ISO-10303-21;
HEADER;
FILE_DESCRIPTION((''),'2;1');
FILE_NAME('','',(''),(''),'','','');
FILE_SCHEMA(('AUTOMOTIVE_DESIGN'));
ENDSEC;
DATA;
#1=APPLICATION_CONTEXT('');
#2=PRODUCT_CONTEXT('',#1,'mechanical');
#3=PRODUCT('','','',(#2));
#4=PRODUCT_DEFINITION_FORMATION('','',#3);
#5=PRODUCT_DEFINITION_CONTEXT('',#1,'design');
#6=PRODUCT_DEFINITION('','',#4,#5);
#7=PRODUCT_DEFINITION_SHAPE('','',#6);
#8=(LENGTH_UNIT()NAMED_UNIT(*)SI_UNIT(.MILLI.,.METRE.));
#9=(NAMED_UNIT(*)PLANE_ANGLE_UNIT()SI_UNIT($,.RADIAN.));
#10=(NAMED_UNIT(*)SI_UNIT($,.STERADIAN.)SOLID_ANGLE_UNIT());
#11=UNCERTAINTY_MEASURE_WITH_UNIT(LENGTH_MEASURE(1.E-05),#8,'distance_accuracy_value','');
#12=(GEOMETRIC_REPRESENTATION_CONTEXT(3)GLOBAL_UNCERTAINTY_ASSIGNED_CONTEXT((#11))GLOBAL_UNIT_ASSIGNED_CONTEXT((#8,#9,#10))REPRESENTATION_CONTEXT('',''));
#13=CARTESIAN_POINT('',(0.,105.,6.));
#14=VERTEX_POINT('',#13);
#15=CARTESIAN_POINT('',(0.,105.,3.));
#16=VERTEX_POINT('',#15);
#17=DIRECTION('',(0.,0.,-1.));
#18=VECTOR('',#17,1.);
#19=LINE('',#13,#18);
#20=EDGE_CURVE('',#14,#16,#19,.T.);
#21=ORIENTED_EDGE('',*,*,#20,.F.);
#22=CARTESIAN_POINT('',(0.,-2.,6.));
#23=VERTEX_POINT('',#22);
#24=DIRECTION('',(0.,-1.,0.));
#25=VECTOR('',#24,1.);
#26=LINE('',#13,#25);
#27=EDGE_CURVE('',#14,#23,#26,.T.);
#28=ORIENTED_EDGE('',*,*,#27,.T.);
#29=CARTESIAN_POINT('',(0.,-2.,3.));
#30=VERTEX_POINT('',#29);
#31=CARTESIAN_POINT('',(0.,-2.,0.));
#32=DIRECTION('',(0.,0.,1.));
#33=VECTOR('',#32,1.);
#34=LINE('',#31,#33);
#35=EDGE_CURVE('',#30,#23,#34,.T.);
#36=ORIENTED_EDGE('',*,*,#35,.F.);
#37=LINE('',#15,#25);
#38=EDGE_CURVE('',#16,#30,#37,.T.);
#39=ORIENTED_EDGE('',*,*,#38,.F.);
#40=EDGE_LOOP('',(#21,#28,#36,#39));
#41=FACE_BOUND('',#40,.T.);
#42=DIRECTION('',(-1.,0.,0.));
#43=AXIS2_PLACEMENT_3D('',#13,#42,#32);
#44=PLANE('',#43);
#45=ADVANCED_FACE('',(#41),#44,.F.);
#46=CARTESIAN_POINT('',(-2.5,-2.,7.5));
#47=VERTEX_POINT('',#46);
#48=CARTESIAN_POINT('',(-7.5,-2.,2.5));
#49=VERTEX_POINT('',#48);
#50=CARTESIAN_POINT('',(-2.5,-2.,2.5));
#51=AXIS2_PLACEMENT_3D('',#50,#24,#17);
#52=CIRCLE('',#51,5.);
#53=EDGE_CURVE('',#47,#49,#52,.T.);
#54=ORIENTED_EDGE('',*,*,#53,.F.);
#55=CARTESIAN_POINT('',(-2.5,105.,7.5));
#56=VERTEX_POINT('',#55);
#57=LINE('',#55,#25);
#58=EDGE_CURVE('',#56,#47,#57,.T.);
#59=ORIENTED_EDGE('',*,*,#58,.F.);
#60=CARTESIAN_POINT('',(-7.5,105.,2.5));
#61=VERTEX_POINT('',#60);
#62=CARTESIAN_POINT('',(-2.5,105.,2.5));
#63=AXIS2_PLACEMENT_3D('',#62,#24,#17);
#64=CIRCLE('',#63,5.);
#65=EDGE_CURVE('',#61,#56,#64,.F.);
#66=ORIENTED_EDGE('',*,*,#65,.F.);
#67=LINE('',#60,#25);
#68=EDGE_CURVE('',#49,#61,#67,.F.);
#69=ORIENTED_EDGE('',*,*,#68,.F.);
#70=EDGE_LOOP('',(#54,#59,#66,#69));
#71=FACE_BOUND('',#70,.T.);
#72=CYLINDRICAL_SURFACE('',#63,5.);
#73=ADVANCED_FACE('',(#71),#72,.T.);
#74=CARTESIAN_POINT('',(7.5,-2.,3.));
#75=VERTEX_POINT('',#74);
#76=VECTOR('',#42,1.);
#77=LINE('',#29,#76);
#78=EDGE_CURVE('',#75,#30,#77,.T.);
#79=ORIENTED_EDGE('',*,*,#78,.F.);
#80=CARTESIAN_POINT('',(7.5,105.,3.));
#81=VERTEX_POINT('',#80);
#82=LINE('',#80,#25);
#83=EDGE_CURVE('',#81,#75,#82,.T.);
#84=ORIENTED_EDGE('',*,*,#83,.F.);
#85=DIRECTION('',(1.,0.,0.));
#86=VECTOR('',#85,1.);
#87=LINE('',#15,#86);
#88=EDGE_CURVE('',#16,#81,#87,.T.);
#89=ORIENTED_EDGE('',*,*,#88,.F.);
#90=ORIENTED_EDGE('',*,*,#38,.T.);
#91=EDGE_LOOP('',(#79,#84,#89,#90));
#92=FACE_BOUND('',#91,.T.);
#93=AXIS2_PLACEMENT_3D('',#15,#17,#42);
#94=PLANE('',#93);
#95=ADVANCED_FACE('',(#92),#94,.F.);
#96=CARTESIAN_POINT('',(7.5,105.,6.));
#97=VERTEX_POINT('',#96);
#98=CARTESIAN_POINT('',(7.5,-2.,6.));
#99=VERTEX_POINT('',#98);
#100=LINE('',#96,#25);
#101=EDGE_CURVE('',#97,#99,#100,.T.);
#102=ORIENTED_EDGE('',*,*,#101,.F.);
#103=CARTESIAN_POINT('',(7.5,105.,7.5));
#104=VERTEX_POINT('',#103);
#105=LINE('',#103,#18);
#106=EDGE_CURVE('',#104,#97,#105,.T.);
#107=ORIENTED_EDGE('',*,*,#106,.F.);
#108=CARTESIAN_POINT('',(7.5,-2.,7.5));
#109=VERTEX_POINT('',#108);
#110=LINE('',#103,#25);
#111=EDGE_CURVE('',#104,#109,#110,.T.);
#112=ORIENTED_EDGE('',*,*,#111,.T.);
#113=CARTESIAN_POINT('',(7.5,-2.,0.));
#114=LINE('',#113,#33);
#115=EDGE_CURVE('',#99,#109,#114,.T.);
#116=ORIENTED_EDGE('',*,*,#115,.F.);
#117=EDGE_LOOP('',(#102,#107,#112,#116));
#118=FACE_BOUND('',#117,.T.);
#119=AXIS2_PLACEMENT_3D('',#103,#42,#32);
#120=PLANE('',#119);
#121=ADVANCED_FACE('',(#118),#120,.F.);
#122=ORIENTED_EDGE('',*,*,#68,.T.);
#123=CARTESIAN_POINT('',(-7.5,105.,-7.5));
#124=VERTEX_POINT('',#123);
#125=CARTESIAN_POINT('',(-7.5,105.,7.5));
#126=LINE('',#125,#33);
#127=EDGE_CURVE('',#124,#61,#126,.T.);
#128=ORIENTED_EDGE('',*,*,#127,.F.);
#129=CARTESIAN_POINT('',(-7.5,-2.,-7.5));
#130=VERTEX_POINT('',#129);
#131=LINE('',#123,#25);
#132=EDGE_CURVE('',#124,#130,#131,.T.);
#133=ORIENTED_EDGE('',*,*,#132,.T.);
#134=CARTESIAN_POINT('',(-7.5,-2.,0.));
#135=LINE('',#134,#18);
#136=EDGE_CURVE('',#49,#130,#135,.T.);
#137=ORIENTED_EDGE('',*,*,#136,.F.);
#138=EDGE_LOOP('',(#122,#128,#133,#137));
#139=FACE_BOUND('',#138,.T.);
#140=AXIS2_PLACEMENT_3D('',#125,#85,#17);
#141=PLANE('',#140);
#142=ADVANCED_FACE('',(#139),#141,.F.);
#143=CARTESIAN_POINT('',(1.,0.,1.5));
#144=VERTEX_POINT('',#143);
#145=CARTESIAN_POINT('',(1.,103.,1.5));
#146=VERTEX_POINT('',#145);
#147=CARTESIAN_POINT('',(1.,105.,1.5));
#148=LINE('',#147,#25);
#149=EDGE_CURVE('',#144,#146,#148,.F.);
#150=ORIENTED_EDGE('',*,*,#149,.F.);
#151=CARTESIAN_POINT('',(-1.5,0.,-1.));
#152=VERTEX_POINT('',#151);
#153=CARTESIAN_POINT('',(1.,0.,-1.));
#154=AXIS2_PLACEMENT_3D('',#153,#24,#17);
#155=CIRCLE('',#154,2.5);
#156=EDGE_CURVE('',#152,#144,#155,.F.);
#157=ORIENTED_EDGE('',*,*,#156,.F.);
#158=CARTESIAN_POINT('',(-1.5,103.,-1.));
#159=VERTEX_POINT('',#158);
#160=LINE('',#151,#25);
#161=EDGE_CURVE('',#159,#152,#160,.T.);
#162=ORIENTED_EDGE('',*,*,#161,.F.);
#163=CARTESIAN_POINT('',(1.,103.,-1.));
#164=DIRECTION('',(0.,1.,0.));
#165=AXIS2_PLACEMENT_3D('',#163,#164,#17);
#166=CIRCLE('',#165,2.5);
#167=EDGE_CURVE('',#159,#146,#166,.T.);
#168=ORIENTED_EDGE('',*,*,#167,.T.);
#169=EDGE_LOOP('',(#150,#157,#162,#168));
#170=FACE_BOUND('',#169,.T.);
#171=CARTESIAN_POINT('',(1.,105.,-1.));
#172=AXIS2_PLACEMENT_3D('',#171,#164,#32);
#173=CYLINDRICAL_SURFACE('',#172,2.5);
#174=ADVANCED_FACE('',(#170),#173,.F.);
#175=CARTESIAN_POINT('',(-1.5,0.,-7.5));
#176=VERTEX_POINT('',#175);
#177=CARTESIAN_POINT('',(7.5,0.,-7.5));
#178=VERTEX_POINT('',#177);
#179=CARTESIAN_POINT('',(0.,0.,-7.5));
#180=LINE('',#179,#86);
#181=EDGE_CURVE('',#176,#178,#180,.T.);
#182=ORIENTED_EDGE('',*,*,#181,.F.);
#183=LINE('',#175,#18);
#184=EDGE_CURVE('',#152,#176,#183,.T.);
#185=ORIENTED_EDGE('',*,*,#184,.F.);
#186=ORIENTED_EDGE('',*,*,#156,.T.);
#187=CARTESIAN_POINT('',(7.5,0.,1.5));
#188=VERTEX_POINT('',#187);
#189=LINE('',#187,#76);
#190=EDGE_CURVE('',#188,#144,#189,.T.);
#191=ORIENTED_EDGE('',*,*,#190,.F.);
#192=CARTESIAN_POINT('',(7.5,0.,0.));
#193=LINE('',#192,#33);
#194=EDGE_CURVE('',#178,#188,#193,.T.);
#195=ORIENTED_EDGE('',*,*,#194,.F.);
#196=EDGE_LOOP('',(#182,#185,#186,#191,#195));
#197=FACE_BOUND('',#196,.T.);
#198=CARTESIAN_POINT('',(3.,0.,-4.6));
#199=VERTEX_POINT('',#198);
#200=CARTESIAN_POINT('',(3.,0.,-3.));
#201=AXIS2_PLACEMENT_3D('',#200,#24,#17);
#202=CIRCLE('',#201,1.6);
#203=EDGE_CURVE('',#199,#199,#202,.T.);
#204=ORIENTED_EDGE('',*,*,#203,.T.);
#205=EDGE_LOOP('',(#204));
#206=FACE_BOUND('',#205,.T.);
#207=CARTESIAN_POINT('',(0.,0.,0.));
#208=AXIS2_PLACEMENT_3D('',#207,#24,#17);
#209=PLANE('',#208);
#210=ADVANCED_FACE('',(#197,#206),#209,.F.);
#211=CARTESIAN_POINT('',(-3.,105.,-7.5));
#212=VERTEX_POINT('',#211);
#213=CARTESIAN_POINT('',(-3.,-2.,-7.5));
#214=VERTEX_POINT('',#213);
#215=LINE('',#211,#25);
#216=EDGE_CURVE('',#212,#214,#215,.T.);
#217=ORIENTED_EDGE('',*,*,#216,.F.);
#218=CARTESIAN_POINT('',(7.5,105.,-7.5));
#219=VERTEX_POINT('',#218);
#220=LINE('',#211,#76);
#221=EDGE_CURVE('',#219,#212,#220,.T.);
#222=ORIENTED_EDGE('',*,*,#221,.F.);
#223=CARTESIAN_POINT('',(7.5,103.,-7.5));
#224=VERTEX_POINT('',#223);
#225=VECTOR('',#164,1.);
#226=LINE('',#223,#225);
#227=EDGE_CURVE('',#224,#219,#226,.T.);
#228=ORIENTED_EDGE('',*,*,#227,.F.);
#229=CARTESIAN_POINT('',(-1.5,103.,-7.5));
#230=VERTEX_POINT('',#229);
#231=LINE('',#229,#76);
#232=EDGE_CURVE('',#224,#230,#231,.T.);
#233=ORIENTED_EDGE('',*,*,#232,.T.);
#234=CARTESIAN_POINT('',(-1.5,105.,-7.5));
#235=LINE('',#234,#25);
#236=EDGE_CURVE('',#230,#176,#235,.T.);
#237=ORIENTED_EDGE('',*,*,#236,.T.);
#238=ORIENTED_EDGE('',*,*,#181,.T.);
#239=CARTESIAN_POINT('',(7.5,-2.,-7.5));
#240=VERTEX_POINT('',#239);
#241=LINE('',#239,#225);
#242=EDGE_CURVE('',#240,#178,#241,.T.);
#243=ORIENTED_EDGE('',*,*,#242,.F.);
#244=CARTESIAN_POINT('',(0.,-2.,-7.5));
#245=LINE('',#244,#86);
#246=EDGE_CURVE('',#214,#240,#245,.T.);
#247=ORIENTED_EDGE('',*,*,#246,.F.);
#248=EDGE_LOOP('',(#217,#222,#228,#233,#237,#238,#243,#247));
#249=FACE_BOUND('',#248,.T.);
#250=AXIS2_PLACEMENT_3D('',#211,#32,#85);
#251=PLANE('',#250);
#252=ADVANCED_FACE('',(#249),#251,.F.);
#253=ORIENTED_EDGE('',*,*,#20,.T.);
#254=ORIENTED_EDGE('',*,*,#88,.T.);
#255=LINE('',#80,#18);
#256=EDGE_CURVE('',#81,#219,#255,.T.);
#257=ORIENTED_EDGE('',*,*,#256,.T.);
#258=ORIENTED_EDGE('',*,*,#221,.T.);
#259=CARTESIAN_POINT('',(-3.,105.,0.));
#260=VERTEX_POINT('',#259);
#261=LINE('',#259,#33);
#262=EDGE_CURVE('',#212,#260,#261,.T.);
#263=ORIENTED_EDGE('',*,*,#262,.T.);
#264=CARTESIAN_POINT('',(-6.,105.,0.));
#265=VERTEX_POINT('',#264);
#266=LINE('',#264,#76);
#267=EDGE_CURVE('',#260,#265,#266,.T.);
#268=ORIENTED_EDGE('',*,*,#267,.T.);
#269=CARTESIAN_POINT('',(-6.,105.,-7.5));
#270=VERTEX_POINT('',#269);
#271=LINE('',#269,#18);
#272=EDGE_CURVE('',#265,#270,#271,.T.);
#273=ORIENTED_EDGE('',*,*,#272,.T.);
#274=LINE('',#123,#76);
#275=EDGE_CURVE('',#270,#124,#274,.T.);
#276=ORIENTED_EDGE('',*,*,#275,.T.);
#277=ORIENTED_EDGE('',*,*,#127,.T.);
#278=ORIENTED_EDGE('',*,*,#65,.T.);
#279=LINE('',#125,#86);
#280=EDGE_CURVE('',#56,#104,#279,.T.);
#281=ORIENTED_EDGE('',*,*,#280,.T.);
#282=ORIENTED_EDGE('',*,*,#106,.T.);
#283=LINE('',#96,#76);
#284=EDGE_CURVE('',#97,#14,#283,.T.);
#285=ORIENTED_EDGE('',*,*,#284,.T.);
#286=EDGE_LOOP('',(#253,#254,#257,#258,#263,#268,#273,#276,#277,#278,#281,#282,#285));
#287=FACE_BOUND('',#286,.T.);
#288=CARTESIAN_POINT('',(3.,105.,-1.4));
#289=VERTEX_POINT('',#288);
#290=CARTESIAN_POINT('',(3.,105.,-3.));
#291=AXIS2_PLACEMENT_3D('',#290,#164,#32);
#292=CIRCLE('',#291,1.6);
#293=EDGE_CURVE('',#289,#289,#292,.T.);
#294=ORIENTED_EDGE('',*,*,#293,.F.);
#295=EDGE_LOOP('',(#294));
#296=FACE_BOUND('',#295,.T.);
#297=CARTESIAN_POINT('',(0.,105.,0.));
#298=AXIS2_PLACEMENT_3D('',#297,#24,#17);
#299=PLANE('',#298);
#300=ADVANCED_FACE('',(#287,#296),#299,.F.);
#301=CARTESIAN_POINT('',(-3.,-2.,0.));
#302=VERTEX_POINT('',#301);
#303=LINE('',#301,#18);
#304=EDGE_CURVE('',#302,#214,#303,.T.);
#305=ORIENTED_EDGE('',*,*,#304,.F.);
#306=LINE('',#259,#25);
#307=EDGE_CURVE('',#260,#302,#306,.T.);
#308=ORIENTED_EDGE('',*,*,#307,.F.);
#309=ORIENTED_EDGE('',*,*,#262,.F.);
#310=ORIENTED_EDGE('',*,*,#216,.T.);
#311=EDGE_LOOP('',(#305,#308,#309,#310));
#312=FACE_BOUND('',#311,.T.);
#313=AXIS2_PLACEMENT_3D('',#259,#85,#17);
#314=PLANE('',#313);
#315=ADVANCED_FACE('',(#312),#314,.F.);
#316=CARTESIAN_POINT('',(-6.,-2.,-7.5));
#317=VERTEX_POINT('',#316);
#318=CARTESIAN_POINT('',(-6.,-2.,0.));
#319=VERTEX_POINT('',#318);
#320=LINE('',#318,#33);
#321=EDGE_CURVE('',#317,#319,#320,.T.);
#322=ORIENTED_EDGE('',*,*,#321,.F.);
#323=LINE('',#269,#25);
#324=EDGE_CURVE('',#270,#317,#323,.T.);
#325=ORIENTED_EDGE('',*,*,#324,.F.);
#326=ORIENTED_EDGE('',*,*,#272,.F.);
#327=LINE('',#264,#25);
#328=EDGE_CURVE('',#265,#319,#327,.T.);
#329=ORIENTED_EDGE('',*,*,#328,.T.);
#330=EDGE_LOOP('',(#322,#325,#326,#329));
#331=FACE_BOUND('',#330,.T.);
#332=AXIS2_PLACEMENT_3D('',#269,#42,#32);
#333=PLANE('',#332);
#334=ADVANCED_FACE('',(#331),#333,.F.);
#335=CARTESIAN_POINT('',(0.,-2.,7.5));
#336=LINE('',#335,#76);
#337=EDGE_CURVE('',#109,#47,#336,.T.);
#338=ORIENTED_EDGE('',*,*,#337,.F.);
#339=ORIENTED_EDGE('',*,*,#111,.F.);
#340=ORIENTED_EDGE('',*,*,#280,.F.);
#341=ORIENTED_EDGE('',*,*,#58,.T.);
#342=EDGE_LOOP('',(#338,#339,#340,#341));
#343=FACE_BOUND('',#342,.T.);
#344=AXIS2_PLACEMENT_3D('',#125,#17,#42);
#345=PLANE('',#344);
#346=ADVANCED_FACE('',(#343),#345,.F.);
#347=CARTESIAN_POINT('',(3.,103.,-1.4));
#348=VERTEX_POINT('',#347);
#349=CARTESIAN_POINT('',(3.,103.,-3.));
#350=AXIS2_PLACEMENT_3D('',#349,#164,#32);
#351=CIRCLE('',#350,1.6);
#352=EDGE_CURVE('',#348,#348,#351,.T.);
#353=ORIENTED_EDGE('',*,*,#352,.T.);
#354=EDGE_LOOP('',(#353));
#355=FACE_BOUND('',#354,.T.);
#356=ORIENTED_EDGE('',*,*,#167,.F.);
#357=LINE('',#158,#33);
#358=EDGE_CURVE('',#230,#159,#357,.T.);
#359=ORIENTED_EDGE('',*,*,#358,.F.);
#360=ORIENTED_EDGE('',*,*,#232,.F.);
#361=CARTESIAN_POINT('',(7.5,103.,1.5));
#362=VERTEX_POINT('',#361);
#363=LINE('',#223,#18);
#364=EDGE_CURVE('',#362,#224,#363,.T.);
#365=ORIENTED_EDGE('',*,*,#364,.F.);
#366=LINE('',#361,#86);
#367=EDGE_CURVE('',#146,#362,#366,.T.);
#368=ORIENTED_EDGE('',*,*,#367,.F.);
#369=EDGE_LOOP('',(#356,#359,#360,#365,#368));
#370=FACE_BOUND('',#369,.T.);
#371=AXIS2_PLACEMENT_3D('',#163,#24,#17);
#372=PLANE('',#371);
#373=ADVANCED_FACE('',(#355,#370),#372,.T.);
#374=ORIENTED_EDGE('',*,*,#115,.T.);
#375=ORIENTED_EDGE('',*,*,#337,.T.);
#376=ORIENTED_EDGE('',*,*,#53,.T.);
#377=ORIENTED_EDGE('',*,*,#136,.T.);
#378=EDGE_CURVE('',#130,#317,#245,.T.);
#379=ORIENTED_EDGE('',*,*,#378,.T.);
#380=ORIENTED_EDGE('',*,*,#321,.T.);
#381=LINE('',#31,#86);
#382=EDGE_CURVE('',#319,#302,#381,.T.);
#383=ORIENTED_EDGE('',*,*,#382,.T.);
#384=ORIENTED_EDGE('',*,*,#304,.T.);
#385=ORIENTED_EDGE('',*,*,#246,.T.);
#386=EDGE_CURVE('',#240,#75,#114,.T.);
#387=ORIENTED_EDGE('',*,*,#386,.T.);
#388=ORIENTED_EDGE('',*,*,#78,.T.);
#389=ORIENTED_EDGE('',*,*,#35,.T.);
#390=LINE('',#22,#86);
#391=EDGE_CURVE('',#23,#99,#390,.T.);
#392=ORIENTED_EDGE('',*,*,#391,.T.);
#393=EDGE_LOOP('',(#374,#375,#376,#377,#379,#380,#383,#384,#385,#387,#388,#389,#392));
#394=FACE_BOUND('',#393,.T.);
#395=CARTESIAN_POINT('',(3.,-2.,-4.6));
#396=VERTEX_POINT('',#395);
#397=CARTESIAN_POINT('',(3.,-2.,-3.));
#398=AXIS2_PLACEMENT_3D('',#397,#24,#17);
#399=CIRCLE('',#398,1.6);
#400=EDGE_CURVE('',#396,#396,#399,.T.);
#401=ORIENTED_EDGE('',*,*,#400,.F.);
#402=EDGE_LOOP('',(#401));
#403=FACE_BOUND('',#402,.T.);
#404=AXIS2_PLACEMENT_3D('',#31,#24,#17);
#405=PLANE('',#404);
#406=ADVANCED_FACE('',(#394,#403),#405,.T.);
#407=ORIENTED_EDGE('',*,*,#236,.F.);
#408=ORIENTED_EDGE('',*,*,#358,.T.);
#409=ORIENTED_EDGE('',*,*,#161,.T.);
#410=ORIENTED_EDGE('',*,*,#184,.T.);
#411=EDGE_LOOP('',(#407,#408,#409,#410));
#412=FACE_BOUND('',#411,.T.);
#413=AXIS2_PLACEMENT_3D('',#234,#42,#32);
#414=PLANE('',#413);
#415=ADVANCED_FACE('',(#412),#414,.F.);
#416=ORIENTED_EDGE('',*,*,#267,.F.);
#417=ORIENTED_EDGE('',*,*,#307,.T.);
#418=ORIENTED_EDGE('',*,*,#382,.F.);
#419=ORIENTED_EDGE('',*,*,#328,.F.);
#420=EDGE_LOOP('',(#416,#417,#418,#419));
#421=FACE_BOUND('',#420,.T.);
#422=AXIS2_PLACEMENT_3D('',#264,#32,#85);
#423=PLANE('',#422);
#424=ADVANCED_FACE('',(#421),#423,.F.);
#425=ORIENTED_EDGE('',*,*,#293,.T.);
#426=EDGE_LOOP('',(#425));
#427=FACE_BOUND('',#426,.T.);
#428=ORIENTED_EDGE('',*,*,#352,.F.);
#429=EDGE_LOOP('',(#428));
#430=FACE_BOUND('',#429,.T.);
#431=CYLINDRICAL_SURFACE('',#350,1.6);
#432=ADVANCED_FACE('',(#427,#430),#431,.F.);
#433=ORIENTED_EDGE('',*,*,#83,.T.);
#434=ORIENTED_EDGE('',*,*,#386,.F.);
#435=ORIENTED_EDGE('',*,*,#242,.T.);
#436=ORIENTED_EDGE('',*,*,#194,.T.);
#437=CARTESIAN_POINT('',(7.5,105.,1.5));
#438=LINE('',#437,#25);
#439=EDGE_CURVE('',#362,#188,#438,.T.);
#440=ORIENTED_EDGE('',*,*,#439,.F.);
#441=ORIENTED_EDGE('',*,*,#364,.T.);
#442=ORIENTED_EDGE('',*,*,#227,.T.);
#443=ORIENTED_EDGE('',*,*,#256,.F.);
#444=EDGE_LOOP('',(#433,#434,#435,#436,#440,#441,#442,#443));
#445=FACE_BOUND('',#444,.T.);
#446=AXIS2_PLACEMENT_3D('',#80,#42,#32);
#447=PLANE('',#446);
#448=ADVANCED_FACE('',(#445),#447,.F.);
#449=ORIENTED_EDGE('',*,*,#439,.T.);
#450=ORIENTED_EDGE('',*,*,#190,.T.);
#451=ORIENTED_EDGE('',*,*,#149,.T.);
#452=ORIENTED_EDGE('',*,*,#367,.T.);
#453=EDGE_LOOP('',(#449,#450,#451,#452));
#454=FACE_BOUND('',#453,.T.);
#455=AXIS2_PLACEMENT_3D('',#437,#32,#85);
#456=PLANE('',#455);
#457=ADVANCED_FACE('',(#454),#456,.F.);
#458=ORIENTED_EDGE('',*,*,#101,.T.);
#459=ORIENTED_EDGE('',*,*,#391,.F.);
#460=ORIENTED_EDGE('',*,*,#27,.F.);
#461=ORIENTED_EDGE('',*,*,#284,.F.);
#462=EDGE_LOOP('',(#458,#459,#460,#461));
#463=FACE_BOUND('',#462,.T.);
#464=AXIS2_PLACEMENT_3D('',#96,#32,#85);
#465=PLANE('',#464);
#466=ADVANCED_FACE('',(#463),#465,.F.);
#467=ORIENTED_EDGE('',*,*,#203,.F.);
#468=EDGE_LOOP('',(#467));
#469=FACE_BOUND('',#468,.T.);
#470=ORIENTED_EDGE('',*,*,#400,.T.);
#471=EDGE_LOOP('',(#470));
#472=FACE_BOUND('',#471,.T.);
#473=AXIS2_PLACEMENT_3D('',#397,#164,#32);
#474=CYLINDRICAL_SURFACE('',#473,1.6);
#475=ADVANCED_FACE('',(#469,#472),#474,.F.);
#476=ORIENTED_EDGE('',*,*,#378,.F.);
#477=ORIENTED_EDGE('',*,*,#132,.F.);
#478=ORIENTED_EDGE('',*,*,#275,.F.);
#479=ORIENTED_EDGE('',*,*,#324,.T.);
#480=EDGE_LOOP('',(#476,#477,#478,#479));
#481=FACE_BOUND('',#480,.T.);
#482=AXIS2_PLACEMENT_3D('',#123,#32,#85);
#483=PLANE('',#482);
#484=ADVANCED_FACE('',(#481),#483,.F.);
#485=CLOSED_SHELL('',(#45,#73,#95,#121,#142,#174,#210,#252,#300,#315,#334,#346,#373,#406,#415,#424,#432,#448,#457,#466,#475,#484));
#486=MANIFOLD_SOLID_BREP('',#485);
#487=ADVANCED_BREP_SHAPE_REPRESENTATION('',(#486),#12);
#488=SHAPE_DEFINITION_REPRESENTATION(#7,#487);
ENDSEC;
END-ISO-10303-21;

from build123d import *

# Parameters (mm, degrees)
BOSS_EXTRUDE1_DEPTH = 105
SKETCH6_R           = 1.6
BOSS_EXTRUDE2_DEPTH = 2
FILLET3_R           = 5
FILLET4_R           = 2.5
SKETCH7_R           = 1.6
BOSS_EXTRUDE3_DEPTH = 2


with BuildPart() as part:
    # Sketch4 → Boss-Extrude1 (new body)
    with BuildSketch(Plane(origin=(0, 0, 0), x_dir=(1, 0, 0), z_dir=(0, 1, 0))):
        Polygon((-7.5, -7.5), (7.5, -7.5), (7.5, -6), (0, -6), (0, -3), (7.5, -3), (7.5, -1.5), (-1.5, -1.5), (-1.5, 7.5), (-3, 7.5), (-3, 0), (-6, 0), (-6, 7.5), (-7.5, 7.5), align=None)
    extrude(amount=BOSS_EXTRUDE1_DEPTH)

    # Sketch6 → Boss-Extrude2 (add)
    with BuildSketch(Plane.XZ):
        Polygon((7.5, 7.5), (-7.5, 7.5), (-7.5, -7.5), (-6, -7.5), (-6, 0), (-3, 0), (-3, -7.5), (-1.5, -7.5), (7.5, -7.5), (7.5, 1.5), (7.5, 3), (0, 3), (0, 6), (7.5, 6), align=None)
        with Locations((3, -3)):
            Circle(SKETCH6_R, mode=Mode.SUBTRACT)
    extrude(amount=BOSS_EXTRUDE2_DEPTH)

    # Fillet3
    fillet3_edges = [part.edges().sort_by_distance(p)[0] for p in [
        (-7.5, 51.5, 7.5),
    ]]
    fillet(fillet3_edges, radius=FILLET3_R)

    # Fillet4
    fillet4_edges = [part.edges().sort_by_distance(p)[0] for p in [
        (-1.5, 52.5, 1.5),
    ]]
    fillet(fillet4_edges, radius=FILLET4_R)

    # Sketch7 → Boss-Extrude3 (add)
    with BuildSketch(Plane(origin=(0, 105, 0), x_dir=(1, 0, 0), z_dir=(0, 1, 0))):
        with BuildLine():
            Line((-1.5, 7.5), (7.5, 7.5))
            Line((7.5, 7.5), (7.5, -1.5))
            Line((7.5, -1.5), (1, -1.5))
            ThreePointArc((1, -1.5), (-0.767766953, -0.767766953), (-1.5, 1))
            Line((-1.5, 1), (-1.5, 7.5))
        make_face()
        with Locations((3, 3)):
            Circle(SKETCH7_R, mode=Mode.SUBTRACT)
    extrude(amount=-BOSS_EXTRUDE3_DEPTH)


solid = part.part
